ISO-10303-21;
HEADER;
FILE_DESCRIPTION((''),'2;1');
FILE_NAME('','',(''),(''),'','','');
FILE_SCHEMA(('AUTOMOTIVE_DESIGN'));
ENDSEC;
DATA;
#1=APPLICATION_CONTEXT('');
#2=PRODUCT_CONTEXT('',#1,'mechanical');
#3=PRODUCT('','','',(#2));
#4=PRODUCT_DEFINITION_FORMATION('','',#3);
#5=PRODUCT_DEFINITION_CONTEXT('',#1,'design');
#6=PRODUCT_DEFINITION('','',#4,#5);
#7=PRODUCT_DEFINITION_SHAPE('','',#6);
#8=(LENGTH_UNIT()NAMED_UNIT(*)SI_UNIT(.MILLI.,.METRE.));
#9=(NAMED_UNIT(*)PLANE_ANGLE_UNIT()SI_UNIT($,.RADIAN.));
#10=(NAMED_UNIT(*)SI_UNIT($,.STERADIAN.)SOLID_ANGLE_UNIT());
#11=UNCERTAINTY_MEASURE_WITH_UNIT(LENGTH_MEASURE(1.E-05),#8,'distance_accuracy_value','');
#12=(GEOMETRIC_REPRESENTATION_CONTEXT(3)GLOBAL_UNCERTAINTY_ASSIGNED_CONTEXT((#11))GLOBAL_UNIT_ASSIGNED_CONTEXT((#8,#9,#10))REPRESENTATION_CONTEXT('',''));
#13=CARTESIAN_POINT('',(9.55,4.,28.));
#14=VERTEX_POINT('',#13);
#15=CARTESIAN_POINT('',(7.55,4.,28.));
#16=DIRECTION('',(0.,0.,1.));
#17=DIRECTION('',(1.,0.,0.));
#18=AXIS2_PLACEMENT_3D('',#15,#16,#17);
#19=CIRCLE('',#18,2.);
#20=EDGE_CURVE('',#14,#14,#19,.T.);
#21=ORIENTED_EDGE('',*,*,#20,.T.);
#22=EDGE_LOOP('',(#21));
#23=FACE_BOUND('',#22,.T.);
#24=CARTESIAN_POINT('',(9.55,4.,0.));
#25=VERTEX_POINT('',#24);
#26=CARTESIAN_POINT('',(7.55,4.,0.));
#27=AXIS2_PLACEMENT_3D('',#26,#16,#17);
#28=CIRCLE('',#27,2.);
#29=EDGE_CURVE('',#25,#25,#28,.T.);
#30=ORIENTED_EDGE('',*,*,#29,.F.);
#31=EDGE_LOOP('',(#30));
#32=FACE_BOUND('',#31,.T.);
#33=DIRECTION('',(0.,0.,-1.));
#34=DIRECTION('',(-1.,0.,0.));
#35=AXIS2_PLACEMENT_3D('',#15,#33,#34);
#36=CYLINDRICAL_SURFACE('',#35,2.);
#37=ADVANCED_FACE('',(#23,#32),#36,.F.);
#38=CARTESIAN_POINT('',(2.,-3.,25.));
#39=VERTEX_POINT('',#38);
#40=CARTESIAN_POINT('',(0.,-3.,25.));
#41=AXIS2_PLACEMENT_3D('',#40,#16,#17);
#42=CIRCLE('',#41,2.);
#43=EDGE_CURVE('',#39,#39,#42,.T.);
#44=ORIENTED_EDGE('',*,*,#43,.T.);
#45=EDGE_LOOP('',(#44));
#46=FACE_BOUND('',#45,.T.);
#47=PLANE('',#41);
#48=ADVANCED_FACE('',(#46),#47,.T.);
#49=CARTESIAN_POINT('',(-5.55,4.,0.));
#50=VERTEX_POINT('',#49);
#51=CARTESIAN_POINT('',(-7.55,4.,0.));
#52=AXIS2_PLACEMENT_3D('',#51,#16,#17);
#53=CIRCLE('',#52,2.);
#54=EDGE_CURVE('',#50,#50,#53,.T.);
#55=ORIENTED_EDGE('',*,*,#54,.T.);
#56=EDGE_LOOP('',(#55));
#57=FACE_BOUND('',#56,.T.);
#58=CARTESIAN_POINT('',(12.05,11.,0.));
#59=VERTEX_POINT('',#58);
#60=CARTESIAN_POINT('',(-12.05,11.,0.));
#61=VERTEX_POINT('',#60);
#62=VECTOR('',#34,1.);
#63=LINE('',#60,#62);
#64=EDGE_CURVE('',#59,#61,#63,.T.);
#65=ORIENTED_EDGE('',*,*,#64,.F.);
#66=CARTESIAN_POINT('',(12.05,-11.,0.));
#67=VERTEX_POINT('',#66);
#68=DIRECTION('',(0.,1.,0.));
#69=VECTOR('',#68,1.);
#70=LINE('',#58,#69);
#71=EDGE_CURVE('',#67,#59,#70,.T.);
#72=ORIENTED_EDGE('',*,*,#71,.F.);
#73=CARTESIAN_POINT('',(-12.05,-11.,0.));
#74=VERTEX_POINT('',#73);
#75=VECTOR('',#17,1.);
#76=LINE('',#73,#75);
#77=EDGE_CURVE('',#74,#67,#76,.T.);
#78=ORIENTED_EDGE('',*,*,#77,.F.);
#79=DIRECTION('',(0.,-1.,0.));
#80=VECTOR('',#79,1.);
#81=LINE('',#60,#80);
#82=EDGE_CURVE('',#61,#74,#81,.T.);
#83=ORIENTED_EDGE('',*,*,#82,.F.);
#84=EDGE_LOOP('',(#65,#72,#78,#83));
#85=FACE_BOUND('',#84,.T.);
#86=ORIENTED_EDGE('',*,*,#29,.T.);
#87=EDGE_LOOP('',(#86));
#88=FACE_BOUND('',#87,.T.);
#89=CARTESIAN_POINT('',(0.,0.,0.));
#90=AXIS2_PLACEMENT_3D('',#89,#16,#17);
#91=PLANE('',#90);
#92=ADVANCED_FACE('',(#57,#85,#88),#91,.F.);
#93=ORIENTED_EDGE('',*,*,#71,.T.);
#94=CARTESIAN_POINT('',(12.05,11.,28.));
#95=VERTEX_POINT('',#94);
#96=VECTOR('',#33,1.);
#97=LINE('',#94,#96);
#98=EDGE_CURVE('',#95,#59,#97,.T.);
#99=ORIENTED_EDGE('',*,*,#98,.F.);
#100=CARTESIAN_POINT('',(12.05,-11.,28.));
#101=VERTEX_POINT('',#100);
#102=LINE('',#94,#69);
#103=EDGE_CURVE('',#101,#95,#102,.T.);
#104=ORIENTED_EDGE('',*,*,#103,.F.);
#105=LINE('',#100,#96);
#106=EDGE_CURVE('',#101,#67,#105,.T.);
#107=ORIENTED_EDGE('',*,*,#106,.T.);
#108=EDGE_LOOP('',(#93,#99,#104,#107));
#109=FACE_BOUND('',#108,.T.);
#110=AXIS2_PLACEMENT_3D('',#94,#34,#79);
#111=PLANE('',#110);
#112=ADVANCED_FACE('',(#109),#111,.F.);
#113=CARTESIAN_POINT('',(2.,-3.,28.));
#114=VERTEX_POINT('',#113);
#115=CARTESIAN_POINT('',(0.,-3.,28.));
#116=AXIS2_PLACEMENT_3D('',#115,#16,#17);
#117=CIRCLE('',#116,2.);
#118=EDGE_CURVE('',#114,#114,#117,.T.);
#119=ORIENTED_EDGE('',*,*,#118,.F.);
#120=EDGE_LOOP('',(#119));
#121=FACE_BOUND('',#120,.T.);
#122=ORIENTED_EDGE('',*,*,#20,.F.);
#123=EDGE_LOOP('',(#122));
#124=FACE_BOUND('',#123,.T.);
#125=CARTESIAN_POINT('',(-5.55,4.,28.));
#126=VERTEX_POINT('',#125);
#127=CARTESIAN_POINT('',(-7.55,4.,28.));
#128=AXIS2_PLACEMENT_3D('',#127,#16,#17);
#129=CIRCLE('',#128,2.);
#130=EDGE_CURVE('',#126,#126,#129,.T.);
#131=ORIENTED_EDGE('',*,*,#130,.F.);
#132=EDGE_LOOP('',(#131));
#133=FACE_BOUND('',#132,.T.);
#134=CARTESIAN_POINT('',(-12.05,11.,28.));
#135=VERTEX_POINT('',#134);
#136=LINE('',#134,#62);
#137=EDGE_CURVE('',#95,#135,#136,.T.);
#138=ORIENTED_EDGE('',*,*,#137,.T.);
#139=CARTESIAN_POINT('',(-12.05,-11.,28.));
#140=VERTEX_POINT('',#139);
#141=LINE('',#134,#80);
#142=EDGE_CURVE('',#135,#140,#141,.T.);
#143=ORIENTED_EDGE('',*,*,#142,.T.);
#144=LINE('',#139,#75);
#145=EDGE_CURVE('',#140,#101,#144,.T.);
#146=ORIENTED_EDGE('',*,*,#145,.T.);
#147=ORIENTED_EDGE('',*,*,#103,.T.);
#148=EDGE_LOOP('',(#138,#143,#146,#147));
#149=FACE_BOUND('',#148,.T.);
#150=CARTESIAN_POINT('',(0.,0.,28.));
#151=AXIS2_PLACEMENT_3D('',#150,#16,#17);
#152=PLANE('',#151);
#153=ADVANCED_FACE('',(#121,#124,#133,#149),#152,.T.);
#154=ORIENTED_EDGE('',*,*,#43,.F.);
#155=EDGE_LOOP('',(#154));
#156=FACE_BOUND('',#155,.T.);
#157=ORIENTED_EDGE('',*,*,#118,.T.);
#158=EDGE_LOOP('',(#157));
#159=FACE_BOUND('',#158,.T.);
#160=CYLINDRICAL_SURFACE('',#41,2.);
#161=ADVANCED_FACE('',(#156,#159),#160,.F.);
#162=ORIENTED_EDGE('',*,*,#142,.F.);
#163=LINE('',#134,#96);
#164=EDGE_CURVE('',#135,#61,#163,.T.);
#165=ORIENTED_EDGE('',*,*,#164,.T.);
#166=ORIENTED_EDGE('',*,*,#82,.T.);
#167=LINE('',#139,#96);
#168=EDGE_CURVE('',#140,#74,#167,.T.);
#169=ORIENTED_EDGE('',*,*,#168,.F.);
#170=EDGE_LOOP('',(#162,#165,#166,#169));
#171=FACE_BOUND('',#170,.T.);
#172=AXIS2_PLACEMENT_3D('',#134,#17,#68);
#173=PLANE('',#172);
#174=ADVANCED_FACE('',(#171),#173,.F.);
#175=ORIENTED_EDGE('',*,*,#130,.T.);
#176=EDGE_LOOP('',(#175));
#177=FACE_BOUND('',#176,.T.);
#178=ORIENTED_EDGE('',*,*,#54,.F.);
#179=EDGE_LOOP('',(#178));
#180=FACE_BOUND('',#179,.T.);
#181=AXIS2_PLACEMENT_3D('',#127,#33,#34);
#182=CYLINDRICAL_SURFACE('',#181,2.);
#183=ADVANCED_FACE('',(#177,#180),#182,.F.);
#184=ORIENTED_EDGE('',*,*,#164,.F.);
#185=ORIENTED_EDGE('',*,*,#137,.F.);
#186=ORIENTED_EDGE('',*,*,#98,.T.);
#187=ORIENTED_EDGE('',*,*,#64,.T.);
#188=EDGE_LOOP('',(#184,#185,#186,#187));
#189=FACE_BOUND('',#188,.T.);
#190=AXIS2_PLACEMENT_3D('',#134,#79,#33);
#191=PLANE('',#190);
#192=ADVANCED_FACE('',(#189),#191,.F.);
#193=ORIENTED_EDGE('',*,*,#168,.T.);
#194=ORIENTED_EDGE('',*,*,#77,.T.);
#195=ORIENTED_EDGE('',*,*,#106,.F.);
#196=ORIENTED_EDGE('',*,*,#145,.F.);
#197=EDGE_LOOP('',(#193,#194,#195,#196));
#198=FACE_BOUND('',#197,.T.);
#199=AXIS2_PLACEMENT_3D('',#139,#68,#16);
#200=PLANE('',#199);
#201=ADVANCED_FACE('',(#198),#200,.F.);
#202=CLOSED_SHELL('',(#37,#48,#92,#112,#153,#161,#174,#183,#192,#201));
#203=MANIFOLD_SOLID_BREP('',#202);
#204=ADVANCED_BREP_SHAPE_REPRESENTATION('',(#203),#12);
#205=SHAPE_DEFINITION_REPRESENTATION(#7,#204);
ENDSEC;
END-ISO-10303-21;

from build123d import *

# Parameters (mm, degrees)
CROQUIS1_W              = 24.1
CROQUIS1_H              = 22
CROQUIS1_R              = 2
SALIENTE_EXTRUIR1_DEPTH = 28
CROQUIS2_R              = 2
CORTAR_EXTRUIR1_DEPTH   = 3


with BuildPart() as part:
    # Croquis1 → Saliente-Extruir1 (new body)
    with BuildSketch(Plane.XY):
        Rectangle(CROQUIS1_W, CROQUIS1_H)
        with Locations((-7.55, 4)):
            Circle(CROQUIS1_R, mode=Mode.SUBTRACT)
        with Locations((7.55, 4)):
            Circle(CROQUIS1_R, mode=Mode.SUBTRACT)
    extrude(amount=SALIENTE_EXTRUIR1_DEPTH)

    # Croquis2 → Cortar-Extruir1 (cut)
    with BuildSketch(Plane.XY.offset(28)):
        with Locations((0, -3)):
            Circle(CROQUIS2_R)
    extrude(amount=-CORTAR_EXTRUIR1_DEPTH, mode=Mode.SUBTRACT)


solid = part.part
